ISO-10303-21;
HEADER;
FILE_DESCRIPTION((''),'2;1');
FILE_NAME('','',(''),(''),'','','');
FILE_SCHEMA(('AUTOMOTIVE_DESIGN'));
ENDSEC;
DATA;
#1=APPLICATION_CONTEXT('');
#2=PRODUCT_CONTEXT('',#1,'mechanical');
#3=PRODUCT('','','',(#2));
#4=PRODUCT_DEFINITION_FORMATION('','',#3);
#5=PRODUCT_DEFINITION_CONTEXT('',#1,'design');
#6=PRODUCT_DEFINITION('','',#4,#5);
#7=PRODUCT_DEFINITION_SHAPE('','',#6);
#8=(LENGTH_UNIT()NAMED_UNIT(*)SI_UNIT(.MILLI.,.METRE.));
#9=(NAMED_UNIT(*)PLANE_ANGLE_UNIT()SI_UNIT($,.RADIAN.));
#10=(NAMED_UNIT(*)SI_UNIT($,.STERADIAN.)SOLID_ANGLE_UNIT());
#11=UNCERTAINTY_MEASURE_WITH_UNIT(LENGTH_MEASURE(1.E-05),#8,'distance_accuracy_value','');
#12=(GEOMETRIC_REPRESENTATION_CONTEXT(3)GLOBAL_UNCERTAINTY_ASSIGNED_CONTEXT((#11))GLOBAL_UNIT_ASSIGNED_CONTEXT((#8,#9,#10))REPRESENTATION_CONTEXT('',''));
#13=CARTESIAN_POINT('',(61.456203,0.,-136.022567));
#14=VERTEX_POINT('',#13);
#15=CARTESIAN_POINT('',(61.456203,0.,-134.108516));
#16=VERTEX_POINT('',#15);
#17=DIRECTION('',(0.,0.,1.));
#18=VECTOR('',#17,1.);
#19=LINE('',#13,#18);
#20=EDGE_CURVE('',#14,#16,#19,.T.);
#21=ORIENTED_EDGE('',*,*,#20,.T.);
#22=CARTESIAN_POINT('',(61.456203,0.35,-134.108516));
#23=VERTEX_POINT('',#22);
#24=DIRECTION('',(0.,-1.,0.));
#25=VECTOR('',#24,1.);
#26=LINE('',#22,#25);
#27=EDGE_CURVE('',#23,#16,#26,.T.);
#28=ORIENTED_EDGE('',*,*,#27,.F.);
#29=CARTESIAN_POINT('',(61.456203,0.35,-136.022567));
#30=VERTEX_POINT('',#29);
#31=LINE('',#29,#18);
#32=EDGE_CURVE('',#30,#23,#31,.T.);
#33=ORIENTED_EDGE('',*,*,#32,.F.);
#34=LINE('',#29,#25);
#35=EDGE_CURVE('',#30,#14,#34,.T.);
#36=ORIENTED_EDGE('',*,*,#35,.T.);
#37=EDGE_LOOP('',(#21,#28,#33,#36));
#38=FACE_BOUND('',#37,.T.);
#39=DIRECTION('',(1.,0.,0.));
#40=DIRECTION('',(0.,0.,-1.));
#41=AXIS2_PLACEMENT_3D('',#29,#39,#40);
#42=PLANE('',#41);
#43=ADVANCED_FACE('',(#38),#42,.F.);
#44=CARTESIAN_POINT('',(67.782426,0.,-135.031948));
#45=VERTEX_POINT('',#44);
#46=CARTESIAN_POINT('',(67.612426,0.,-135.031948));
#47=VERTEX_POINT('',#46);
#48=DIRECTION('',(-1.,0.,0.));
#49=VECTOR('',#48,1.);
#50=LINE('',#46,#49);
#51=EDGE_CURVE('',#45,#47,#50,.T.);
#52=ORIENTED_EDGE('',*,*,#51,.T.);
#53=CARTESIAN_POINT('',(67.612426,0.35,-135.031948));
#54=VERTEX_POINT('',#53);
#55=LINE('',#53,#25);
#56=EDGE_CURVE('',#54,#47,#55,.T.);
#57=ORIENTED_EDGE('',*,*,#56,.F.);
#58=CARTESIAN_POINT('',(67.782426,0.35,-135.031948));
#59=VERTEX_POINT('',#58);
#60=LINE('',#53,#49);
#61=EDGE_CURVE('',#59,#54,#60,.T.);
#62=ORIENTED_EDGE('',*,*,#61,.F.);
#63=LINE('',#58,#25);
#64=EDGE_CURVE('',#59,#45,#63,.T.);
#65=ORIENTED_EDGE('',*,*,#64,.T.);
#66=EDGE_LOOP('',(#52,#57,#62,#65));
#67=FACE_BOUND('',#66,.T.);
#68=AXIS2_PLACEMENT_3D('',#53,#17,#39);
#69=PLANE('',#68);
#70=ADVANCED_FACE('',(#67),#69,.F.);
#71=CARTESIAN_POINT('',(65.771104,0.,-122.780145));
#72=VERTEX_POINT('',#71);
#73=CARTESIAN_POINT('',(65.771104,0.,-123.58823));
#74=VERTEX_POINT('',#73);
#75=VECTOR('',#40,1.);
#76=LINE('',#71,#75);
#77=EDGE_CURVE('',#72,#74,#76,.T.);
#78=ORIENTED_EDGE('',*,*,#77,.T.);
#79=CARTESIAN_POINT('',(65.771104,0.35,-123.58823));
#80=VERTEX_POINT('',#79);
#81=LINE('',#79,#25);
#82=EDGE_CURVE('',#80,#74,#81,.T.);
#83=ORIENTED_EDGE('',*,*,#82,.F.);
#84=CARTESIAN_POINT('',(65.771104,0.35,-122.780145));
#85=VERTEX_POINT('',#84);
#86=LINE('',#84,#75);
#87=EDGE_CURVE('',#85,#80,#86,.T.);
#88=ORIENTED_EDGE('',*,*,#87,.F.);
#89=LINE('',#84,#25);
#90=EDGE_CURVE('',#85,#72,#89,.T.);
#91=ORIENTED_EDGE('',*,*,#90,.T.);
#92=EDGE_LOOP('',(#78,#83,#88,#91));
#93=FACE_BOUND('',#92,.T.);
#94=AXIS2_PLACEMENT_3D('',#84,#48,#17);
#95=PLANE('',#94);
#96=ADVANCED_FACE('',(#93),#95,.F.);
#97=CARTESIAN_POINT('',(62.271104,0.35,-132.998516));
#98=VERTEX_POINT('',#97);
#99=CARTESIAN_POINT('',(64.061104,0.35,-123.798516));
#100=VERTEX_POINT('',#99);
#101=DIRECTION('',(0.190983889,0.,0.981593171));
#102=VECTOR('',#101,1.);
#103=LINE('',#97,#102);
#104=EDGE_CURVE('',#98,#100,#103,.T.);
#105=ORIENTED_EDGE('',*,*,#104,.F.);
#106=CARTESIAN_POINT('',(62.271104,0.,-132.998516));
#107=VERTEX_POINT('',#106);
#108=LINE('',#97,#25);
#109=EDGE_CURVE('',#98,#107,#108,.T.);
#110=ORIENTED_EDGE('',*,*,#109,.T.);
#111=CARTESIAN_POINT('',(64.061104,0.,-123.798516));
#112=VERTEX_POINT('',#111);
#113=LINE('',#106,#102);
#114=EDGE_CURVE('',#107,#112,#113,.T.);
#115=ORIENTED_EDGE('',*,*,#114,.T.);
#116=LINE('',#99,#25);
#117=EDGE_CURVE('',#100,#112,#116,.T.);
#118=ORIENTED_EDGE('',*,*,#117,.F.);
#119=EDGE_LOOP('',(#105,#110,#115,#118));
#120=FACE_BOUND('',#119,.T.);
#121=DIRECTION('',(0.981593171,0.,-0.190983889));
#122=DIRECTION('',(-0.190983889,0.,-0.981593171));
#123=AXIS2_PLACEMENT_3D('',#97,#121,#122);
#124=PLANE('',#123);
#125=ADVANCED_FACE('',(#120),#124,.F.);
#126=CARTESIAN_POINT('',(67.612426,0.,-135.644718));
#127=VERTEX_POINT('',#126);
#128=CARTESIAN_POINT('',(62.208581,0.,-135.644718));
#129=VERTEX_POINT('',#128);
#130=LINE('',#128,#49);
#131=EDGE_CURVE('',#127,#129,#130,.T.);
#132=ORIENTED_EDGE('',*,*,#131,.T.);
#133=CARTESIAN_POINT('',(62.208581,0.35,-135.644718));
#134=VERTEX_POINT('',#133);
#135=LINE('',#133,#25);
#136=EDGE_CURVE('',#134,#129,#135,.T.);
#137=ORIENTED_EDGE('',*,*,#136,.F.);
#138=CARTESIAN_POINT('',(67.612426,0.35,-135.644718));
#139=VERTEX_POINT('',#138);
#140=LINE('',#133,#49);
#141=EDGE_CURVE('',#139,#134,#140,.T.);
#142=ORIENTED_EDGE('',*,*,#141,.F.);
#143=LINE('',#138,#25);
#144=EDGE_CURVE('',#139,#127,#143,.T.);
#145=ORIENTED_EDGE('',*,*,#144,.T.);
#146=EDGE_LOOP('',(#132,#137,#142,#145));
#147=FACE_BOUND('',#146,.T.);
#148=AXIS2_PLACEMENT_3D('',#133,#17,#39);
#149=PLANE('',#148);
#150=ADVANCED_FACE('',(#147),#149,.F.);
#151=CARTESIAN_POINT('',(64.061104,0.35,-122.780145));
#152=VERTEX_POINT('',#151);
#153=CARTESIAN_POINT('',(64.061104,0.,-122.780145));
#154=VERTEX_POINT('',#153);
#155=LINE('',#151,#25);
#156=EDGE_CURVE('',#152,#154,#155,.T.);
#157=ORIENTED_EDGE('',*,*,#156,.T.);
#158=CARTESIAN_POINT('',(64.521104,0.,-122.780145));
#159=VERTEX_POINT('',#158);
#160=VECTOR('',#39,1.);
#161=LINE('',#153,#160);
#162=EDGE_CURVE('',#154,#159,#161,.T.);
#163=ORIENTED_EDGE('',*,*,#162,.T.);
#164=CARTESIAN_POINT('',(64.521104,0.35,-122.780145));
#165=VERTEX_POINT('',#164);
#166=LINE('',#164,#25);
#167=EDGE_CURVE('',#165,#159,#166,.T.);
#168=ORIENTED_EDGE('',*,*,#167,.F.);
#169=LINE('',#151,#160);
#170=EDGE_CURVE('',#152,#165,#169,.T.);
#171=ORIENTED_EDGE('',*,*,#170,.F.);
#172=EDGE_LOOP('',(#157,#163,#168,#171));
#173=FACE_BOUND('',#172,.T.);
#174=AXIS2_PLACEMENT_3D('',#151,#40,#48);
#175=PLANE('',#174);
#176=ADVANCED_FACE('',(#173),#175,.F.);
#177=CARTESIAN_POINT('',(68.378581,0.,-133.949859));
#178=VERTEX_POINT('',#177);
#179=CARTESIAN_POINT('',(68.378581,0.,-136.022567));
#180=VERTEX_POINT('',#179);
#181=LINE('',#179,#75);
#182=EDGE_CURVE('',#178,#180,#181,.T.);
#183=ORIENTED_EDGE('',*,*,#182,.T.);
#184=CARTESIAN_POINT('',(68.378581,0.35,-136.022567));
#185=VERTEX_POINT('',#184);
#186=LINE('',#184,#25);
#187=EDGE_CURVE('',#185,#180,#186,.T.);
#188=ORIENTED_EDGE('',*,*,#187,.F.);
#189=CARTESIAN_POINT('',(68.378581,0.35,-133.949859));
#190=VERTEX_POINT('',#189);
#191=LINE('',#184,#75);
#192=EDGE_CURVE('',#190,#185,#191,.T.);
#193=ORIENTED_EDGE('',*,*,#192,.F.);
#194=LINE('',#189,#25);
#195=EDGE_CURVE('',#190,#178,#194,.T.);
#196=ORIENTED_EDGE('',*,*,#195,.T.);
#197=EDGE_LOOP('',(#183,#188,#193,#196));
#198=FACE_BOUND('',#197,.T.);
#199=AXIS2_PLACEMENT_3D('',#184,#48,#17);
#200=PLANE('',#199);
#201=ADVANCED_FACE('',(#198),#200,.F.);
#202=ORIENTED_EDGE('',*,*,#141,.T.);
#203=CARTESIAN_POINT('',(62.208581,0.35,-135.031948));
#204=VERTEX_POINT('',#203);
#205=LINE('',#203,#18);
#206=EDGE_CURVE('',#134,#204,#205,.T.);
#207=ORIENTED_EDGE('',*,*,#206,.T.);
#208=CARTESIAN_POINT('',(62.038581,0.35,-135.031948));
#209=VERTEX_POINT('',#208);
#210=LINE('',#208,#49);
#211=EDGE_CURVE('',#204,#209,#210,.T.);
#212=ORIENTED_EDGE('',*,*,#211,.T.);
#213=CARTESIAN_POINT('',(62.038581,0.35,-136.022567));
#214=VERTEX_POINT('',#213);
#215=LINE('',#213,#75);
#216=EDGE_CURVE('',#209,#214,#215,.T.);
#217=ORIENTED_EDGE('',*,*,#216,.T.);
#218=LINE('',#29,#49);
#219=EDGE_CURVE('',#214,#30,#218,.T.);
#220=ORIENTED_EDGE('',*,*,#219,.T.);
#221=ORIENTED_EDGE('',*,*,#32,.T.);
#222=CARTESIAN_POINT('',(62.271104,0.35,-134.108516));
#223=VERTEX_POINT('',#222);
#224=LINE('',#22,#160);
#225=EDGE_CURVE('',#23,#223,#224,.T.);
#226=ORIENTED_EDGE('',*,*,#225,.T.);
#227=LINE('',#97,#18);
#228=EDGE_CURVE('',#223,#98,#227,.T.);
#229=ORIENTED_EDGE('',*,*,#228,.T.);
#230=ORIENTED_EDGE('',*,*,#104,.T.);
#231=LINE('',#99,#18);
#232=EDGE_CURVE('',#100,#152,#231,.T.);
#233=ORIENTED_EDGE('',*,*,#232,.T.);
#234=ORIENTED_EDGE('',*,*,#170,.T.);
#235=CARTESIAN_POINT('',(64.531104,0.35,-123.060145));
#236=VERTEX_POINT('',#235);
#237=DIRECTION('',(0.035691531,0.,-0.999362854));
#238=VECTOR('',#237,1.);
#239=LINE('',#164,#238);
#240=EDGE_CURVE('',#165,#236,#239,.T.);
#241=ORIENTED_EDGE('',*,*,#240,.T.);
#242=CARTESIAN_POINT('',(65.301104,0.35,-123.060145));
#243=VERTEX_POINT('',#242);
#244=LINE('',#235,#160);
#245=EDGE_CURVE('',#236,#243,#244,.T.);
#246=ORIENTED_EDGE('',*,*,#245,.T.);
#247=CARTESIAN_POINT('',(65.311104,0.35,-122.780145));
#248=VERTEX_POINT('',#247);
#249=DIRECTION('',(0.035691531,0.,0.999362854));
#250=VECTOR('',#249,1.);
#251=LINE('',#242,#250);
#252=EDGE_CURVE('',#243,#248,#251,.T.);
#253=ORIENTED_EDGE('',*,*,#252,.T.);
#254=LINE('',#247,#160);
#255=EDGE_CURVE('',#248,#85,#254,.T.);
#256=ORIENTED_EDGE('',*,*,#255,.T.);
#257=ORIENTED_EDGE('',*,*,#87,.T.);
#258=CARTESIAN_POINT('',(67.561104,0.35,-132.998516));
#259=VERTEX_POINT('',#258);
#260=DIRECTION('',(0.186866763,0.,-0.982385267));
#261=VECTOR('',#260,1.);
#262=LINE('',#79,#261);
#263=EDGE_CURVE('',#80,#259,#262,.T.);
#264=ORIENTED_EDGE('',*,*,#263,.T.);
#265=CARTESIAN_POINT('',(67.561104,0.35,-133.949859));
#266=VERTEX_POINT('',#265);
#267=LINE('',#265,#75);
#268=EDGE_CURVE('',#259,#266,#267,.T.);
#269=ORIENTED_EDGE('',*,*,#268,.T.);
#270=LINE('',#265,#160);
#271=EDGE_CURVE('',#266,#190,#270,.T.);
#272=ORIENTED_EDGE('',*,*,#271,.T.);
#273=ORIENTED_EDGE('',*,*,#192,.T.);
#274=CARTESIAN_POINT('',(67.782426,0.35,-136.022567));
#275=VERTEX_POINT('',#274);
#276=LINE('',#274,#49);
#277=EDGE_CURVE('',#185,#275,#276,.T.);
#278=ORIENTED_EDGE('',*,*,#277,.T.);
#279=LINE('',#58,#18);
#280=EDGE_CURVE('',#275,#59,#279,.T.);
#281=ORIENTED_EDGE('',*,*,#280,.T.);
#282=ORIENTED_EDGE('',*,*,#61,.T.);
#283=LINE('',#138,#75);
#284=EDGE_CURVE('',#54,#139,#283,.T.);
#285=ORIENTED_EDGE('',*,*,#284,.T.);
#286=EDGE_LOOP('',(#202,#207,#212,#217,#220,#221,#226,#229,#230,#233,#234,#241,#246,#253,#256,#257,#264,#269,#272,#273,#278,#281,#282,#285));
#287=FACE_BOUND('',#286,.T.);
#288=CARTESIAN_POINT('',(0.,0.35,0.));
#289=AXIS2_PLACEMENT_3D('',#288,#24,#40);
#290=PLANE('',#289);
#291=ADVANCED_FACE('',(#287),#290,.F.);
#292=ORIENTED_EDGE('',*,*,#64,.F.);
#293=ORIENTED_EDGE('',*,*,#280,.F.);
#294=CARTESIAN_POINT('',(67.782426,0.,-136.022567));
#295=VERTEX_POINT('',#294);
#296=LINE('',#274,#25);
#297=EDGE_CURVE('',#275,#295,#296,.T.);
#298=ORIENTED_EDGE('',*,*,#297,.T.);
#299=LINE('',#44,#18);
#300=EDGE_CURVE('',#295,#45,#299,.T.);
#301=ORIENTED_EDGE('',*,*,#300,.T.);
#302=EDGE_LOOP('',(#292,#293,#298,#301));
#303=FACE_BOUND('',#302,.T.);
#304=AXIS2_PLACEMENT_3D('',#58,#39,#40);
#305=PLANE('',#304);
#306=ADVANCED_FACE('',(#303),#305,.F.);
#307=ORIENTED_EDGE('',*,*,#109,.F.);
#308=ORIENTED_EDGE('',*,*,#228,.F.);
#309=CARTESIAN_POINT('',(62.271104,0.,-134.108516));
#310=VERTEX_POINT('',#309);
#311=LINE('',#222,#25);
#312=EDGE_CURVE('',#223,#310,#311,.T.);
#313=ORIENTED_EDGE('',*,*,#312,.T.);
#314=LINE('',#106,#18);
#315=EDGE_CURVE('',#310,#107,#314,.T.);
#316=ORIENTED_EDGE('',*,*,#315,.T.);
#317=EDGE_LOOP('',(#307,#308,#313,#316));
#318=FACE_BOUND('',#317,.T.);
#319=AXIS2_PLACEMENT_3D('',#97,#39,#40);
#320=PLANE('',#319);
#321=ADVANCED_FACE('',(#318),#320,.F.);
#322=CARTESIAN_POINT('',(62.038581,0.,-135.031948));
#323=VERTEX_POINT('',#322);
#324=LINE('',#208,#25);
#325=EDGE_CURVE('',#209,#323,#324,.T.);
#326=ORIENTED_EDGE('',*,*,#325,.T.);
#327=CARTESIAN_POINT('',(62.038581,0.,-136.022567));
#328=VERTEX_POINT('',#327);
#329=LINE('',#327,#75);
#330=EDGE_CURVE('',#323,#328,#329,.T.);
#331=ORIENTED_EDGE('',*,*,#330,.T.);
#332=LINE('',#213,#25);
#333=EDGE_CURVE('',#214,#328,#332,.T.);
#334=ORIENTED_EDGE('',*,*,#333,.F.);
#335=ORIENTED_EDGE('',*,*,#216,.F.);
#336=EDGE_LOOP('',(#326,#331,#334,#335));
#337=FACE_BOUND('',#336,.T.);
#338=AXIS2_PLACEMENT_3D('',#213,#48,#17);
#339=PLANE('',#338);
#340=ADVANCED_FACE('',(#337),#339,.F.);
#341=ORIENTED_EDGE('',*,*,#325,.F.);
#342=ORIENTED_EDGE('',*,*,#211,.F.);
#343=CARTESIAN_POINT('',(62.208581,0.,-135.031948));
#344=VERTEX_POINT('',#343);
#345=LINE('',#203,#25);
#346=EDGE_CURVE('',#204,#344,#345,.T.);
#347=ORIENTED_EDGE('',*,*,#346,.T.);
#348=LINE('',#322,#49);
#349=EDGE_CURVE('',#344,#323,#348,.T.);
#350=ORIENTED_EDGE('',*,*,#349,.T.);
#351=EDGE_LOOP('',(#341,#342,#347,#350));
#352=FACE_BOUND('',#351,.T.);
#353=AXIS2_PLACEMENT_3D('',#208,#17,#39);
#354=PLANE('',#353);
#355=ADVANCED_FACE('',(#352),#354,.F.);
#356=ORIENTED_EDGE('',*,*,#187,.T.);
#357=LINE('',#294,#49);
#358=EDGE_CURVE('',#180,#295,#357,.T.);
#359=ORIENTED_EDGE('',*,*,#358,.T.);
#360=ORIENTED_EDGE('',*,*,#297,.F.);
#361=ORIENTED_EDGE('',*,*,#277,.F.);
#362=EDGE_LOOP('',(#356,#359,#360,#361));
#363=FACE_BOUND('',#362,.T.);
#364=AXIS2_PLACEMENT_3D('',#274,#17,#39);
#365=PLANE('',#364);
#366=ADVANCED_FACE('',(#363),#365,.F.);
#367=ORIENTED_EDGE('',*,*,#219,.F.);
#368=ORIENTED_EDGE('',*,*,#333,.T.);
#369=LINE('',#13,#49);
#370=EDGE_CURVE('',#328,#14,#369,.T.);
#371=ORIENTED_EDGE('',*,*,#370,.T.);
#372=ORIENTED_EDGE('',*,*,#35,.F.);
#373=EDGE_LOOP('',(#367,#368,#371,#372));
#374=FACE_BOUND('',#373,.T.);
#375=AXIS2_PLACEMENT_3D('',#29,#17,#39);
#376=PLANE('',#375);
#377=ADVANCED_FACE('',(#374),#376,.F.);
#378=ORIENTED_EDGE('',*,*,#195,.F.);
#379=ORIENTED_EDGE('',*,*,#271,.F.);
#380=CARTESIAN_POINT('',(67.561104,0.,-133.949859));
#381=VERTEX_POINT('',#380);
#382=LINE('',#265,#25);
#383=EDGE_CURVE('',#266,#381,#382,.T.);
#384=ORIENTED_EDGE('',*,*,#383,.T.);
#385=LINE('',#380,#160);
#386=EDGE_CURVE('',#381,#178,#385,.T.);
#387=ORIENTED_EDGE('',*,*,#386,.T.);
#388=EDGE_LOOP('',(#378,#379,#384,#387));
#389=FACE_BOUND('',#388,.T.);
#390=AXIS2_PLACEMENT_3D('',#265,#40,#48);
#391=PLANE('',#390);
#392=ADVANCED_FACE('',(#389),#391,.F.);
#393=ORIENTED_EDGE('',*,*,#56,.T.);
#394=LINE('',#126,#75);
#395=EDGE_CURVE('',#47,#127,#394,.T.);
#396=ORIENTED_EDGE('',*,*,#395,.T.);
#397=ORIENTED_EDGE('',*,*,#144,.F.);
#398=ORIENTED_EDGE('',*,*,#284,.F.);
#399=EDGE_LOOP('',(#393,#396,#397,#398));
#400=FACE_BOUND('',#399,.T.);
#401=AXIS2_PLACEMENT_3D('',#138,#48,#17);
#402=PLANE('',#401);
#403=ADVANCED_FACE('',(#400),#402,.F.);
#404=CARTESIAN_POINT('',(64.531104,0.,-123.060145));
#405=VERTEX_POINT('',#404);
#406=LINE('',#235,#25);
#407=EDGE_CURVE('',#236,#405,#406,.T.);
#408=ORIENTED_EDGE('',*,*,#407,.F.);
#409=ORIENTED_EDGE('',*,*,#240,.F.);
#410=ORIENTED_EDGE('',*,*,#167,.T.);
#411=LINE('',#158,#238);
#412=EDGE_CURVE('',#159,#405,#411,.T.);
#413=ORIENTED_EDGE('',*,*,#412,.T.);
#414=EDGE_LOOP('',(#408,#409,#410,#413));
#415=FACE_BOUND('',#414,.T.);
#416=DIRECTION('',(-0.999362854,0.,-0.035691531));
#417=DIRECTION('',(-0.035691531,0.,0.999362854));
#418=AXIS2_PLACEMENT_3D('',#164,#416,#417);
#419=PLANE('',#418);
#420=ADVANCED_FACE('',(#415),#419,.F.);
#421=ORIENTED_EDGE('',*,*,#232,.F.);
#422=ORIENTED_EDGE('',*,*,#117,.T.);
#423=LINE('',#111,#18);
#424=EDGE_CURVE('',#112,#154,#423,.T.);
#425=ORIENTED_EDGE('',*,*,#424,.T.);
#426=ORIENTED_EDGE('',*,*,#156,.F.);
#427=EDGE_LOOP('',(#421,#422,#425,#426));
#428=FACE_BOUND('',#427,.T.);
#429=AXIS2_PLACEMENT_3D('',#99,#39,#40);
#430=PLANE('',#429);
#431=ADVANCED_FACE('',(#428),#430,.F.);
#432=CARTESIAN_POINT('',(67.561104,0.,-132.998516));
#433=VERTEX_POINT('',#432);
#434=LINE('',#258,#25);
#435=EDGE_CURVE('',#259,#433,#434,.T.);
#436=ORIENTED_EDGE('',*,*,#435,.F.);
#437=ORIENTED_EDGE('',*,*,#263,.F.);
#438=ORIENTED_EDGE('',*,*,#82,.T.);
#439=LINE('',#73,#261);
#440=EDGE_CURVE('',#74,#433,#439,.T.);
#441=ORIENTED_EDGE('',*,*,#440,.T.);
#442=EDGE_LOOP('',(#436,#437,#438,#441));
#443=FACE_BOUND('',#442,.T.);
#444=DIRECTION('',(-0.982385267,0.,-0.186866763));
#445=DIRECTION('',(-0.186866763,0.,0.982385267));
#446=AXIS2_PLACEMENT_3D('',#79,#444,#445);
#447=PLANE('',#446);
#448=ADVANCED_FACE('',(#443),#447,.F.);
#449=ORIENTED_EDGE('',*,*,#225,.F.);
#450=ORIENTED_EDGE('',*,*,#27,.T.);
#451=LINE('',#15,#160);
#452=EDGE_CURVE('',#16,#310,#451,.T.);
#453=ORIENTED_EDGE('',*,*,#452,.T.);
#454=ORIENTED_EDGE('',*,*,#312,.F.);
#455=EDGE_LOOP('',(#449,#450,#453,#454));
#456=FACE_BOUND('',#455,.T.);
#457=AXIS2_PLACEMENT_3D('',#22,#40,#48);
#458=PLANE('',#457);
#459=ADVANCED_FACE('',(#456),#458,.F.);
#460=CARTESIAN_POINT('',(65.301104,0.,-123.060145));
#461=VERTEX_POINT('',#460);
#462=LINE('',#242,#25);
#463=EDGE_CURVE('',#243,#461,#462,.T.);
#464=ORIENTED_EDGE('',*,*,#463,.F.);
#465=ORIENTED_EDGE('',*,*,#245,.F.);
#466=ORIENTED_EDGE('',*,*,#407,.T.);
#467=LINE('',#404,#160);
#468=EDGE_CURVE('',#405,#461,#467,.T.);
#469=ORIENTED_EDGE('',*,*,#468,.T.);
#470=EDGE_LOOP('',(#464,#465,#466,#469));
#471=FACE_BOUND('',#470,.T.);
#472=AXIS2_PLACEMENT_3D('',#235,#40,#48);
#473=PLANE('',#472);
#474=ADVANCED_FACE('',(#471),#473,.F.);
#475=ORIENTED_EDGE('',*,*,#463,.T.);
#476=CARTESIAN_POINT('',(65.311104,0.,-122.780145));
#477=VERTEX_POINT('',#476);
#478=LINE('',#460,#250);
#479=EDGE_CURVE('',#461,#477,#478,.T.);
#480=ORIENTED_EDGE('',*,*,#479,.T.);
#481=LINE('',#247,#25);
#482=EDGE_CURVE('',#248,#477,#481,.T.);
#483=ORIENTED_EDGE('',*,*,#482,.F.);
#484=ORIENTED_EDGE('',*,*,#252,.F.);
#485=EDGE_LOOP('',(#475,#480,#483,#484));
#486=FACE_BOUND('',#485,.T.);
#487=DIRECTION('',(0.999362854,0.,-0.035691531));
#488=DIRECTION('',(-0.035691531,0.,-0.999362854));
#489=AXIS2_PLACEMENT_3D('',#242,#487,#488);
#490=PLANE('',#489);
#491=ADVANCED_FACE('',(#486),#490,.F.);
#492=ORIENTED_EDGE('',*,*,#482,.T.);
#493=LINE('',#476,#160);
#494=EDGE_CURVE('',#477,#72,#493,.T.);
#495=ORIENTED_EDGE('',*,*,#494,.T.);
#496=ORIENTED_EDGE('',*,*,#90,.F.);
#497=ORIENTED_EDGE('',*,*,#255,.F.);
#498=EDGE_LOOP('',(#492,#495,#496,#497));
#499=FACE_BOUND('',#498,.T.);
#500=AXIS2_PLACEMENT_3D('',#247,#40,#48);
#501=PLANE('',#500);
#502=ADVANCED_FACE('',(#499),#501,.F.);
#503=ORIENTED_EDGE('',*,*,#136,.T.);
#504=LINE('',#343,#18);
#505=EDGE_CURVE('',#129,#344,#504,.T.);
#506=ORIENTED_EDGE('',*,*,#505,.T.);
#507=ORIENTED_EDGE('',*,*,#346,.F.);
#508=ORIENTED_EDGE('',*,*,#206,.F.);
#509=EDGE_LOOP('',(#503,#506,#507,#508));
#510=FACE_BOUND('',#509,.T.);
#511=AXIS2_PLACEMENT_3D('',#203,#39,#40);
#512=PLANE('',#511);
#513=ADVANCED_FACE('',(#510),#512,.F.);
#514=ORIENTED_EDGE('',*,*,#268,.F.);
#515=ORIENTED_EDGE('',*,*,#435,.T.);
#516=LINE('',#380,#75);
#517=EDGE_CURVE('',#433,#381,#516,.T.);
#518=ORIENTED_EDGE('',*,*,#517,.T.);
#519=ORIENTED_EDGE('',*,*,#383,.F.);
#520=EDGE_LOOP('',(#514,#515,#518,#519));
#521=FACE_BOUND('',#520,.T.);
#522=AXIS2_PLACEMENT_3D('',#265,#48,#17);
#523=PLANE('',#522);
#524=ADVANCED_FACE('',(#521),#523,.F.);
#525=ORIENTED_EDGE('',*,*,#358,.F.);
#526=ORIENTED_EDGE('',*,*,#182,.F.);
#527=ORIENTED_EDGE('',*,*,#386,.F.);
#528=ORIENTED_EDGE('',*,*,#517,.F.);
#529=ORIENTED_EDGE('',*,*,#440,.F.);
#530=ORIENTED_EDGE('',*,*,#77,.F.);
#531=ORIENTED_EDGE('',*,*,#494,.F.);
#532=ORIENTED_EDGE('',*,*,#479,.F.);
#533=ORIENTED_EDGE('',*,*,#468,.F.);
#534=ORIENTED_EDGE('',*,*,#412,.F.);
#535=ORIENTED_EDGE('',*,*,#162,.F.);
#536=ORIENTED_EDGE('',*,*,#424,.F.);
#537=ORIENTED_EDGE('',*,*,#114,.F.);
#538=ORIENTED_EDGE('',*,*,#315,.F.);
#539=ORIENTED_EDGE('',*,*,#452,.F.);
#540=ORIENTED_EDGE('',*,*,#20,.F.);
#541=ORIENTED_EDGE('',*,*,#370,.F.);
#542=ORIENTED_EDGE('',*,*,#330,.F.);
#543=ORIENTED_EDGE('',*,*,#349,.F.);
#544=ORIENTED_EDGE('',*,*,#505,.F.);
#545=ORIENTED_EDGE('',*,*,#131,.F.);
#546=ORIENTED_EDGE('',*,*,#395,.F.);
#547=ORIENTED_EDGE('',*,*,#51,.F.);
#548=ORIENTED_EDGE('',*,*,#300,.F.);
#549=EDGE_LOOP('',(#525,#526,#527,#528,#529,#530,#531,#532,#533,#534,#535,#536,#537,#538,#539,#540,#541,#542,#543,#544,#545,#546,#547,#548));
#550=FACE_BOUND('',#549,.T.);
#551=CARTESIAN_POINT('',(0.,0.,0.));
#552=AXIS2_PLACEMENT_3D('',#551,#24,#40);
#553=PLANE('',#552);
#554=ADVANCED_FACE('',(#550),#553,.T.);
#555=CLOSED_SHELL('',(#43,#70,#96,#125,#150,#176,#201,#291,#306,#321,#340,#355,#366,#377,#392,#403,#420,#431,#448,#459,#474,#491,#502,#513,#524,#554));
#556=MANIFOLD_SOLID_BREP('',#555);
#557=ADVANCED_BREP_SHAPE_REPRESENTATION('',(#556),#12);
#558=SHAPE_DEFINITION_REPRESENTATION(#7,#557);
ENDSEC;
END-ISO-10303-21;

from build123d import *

# Parameters (mm, degrees)
BOSS_EXTRUDE1_DEPTH = 0.35


with BuildPart() as part:
    # Sketch1 → Boss-Extrude1 (new body)
    with BuildSketch(Plane(origin=(0, 0, 0), x_dir=(1, 0, 0), z_dir=(0, 1, 0))):
        Polygon((65.771104466, 123.588230372), (67.561104466, 132.998516086), (67.561104466, 133.949859164), (68.378580887, 133.949859164), (68.378580887, 136.022566648), (67.782425522, 136.022566648), (67.782425522, 135.031947544), (67.612425522, 135.031947544), (67.612425522, 135.644718334), (62.208580887, 135.644718334), (62.208580887, 135.031947544), (62.038580887, 135.031947544), (62.038580887, 136.022566648), (61.456203144, 136.022566648), (61.456203144, 134.108516086), (62.271104466, 134.108516086), (62.271104466, 132.998516086), (64.061104466, 123.798516086), (64.061104466, 122.780144879), (64.521104466, 122.780144879), (64.531104466, 123.060144879), (65.301104466, 123.060144879), (65.311104466, 122.780144879), (65.771104466, 122.780144879), align=None)
    extrude(amount=BOSS_EXTRUDE1_DEPTH)


solid = part.part
